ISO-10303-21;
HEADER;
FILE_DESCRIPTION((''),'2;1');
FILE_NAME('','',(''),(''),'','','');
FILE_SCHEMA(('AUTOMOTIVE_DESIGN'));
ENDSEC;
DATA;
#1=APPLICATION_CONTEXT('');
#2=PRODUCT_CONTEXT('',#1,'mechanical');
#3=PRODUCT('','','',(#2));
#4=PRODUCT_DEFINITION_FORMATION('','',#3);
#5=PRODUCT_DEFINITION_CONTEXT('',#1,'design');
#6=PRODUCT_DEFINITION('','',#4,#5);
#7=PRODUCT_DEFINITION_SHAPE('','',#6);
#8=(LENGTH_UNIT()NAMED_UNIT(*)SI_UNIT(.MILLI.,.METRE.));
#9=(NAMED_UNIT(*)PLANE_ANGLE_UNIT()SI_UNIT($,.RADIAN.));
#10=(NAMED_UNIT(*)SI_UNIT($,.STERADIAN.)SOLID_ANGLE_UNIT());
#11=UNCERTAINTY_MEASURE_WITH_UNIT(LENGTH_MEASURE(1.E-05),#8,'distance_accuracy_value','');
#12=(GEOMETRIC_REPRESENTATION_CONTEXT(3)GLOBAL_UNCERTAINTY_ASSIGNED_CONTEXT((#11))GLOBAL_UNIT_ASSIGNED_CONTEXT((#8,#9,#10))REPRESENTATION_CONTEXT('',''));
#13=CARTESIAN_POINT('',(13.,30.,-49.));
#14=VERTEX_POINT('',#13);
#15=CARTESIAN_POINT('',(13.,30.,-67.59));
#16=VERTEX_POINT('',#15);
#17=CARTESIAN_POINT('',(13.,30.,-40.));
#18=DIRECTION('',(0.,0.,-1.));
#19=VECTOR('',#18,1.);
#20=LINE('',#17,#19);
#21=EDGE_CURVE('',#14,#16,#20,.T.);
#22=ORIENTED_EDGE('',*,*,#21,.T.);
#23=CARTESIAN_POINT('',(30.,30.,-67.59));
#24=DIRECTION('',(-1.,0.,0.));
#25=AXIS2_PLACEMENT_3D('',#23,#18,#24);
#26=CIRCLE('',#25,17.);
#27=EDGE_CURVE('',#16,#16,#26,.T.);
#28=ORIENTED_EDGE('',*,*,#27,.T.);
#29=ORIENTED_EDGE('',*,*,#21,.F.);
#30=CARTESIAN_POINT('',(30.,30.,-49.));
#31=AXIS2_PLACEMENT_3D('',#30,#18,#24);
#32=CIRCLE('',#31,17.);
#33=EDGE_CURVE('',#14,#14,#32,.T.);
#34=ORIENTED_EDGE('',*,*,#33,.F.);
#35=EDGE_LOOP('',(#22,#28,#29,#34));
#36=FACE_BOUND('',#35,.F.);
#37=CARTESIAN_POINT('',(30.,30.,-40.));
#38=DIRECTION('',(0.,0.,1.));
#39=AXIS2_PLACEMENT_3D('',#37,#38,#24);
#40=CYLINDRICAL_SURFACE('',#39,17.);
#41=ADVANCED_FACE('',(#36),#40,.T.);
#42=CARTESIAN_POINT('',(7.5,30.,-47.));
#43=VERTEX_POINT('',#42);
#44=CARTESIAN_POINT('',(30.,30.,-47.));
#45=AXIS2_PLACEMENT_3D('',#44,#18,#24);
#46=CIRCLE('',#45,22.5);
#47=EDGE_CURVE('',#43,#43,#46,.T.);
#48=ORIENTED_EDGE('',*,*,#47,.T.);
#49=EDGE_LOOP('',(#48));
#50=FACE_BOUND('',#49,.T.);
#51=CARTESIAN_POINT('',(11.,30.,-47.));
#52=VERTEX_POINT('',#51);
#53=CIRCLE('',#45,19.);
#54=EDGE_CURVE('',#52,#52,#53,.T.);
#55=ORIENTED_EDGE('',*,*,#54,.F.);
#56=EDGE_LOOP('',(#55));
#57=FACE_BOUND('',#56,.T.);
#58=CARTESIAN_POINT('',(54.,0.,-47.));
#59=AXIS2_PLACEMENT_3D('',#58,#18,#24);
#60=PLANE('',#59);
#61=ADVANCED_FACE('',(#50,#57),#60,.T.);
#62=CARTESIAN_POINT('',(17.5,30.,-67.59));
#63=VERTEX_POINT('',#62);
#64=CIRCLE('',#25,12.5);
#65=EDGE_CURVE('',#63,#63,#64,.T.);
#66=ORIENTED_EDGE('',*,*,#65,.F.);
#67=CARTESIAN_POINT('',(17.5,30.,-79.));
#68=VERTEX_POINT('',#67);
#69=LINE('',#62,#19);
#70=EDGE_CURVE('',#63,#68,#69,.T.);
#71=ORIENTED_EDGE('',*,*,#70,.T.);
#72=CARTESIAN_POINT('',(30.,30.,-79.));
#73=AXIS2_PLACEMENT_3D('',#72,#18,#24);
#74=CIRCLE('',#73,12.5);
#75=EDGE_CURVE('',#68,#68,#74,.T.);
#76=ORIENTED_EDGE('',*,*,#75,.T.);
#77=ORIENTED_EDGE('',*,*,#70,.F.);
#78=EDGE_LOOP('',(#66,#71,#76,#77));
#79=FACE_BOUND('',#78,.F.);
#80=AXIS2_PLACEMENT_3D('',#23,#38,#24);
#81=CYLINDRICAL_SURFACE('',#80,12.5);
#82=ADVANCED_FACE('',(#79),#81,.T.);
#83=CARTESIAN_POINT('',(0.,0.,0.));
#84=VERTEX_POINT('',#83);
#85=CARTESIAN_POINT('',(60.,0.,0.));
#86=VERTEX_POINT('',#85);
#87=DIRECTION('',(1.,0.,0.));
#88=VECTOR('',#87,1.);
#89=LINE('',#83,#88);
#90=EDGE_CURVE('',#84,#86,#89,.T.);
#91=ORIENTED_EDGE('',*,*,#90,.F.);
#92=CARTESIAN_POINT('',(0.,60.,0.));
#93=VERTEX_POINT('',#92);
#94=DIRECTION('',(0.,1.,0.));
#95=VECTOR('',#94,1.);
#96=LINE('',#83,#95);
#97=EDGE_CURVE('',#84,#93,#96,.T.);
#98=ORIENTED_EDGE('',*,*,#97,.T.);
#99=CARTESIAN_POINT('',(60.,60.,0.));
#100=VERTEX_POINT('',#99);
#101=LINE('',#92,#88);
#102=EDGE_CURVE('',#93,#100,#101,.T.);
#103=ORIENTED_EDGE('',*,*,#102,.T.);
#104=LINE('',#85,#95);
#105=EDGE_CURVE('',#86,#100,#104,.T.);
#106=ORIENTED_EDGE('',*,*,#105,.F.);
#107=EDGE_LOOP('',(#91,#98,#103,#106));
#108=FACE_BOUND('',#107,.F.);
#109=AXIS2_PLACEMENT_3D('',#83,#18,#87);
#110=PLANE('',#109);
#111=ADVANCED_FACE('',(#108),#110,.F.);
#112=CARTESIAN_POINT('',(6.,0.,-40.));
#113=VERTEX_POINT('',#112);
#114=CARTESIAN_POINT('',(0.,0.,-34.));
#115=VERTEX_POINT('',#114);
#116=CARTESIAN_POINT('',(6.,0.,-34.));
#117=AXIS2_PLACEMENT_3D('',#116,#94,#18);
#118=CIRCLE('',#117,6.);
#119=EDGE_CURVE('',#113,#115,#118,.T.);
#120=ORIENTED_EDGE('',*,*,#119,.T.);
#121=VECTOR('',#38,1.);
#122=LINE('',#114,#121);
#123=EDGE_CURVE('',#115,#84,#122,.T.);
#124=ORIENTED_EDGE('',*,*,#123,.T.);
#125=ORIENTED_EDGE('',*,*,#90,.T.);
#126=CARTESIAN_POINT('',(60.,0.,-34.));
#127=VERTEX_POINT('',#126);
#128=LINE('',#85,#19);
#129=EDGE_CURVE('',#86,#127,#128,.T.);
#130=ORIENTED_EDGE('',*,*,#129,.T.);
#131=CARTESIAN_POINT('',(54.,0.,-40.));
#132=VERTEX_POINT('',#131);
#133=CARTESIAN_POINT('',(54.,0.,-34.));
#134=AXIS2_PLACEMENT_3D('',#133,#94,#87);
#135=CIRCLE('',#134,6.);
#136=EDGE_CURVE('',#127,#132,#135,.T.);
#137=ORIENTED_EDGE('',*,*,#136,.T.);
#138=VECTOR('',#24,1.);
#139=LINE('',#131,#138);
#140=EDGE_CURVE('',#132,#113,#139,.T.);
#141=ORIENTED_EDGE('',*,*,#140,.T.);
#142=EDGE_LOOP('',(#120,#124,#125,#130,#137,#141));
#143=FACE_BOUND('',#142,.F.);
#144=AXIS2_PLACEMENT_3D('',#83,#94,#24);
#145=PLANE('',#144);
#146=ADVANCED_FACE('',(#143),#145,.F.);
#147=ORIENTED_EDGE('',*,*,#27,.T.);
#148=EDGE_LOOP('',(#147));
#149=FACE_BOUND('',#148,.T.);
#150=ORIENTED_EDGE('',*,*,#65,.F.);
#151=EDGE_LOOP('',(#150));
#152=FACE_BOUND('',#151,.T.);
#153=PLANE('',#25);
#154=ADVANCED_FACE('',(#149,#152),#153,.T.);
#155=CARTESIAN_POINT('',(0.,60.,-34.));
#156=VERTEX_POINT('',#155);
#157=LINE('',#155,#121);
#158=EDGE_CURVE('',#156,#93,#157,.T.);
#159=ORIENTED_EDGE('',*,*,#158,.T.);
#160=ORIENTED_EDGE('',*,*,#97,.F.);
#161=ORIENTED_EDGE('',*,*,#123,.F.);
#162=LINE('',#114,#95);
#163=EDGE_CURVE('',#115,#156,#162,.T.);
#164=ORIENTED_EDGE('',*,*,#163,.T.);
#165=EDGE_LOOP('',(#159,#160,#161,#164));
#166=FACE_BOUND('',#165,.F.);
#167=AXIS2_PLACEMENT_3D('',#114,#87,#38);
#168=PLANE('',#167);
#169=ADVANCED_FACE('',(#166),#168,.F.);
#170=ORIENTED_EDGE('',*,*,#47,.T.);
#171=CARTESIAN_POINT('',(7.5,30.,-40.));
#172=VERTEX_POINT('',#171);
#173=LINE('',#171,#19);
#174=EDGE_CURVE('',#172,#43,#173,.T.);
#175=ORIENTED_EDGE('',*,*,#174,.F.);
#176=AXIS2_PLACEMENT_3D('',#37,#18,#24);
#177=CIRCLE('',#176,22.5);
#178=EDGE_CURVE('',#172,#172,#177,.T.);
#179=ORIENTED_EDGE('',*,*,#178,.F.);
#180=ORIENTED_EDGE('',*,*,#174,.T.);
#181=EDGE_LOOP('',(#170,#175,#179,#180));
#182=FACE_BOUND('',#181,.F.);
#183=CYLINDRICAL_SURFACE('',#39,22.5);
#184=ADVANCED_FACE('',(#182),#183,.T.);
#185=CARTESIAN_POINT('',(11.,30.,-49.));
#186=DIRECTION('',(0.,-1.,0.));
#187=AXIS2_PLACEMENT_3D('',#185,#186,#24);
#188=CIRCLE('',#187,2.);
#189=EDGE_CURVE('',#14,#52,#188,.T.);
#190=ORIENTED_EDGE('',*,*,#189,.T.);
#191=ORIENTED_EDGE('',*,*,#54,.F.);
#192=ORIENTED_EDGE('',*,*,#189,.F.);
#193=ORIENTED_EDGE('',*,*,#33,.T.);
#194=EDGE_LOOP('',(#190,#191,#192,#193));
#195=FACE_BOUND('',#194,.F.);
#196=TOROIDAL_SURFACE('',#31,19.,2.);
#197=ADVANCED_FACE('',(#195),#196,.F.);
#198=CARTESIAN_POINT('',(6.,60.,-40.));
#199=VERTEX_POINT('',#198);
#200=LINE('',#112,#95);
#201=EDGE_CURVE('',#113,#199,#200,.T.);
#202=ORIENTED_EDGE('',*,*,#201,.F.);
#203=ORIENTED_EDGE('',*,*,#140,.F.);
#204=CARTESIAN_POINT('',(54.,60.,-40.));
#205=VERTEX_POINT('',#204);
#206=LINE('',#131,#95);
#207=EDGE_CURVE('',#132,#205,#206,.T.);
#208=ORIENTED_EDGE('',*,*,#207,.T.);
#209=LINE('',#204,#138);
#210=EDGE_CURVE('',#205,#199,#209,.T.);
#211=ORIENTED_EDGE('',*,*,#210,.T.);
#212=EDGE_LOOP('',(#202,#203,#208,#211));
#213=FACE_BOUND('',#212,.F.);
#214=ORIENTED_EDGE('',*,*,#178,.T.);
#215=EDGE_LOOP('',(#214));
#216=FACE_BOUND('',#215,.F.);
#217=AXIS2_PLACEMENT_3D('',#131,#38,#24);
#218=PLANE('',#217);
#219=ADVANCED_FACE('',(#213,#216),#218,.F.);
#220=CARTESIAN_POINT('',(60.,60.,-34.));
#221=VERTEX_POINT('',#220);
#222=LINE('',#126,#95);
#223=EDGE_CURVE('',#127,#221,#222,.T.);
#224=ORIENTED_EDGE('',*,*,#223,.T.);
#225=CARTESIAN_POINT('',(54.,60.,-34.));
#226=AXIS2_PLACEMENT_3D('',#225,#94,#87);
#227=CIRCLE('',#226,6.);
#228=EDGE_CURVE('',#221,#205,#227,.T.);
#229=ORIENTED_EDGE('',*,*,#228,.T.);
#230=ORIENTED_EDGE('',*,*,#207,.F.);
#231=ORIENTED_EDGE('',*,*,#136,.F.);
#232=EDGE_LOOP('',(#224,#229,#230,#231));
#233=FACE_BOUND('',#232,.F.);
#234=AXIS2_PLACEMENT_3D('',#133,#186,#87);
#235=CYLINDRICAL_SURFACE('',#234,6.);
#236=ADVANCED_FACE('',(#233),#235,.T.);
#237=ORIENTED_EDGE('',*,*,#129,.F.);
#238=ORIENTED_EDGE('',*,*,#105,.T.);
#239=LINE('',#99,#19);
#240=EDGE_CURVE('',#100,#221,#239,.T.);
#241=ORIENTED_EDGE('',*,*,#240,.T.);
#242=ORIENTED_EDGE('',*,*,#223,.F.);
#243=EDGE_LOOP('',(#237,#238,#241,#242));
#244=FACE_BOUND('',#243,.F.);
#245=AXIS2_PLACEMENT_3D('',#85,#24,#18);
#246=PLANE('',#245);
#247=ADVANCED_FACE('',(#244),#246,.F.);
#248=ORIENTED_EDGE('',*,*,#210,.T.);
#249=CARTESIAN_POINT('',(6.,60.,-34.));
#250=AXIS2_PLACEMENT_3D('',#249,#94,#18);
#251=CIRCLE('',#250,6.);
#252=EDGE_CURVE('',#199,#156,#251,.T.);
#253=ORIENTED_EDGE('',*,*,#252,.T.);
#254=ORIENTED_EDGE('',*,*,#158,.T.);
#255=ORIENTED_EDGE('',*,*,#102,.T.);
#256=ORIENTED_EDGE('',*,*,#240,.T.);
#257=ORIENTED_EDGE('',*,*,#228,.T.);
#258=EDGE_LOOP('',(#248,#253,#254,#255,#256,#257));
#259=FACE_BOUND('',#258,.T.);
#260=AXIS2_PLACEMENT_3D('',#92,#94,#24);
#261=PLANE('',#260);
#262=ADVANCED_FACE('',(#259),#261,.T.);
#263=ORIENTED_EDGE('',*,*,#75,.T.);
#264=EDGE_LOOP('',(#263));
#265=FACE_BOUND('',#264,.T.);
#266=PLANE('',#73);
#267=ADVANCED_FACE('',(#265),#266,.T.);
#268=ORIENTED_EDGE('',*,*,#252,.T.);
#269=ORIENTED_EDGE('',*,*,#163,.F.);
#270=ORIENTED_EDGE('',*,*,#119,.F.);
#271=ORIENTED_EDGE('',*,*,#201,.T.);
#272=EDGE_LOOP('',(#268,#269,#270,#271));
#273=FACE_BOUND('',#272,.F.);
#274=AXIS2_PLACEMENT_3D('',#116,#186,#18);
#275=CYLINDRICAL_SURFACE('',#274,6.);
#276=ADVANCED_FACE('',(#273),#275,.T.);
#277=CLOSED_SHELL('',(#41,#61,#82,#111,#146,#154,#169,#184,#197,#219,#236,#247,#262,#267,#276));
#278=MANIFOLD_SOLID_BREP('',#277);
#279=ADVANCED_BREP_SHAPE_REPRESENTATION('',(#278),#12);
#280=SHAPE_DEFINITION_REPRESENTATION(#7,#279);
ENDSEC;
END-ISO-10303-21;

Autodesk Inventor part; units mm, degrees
ref_plane "YZ Plane" through (0, 0, 0) normal (1, 0, 0) x (0, 1, 0)
ref_plane "XZ Plane" through (0, 0, 0) normal (0, 1, 0) x (-1, 0, 0)
ref_plane "XY Plane" through (0, 0, 0) normal (0, 0, 1) x (1, 0, 0)
sketch "Boceto1" plane through (0, 0, 0) normal (0, 1, 0) x (-1, 0, 0)
  line L0 (0, 0) -> (-60, 0)
  line L1 (-60, 0) -> (-60, -34)
  line L2 (-54, -40) -> (-6, -40)
  line L3 (0, -34) -> (0, 0)
  arc A0 (-6, -40) -> (0, -34) centre (-6, -34) ccw
  arc A1 (-60, -34) -> (-54, -40) centre (-54, -34) ccw
  point P0 (-60, -40)
  dimension "d0" = 60
  dimension "d1" = 40
  dimension "d2" = 6
  dimension "d3" = 6
extrude "Extrusión1" add sketch "Boceto1" along normal blind 60
sketch "Boceto2" plane through (54, 0, -40) normal (0, 0, -1) x (-1, 0, 0)
  line L0 (0, 0) -> (48, 0) projected
  line L1 (48, 0) -> (48, 60) projected
  line L2 (0, 60) -> (48, 60) projected
  line L3 (0, 0) -> (0, 60) projected
  circle A0 centre (24, 30) radius 22.5
  circle A1 centre (24, 30) radius 17
  circle A2 centre (24, 30) radius 15
  circle A3 centre (24, 30) radius 12.5
  point P0 (54, 0)
  dimension "d6" = 45
  dimension "d7" = 34
  dimension "d8" = 30
  dimension "d9" = 25
extrude "Extrusión3" add sketch "Boceto2" along normal blind 7 contours A0
sketch "Boceto5" plane through (30, 30, -40) normal (0, 0, -1) x (-1, 0, 0)
  circle A0 centre (0, 0) radius 17
  point P0 (30, -30)
  dimension "d14" = 34
extrude "Extrusión4" add sketch "Boceto5" along normal blind 27.59
fillet "Empalme1" radius 2 1 edges at (47, 30, -47)
sketch "Boceto8" plane through (30, 30, -67.59) normal (0, 0, -1) x (-1, 0, 0)
  circle A0 centre (0, 0) radius 12.5
  point P0 (30, -30)
  dimension "d23" = 25
extrude "Extrusión6" add sketch "Boceto8" along normal blind 11.41
sketch "Boceto9" plane through (30, 30, -79) normal (0, 0, -1) x (-1, 0, 0)
  point P0 (30, -30)
equation "\"Radio_pliegue\" = Grosor"
equation "\"Anchura_desahogo_plegado\" = Grosor"
equation "\"Profundidad_desahogo_plegado\" = 0.5 * Grosor"
equation "\"Tamaño_destalonado\" = 4 * Grosor"
equation "\"Remanente_mínimo\" = 2 * Grosor"
equation "\"Radiodetransición\" = Radio_pliegue"
equation "\"Tamaño_de_radio_de_Jacobi\" = Radio_pliegue"
equation "\"TamañoSeparación\" = Grosor"
equation "\"Grosor\" = 0.5"
properties part number "Practica 12 nt"
